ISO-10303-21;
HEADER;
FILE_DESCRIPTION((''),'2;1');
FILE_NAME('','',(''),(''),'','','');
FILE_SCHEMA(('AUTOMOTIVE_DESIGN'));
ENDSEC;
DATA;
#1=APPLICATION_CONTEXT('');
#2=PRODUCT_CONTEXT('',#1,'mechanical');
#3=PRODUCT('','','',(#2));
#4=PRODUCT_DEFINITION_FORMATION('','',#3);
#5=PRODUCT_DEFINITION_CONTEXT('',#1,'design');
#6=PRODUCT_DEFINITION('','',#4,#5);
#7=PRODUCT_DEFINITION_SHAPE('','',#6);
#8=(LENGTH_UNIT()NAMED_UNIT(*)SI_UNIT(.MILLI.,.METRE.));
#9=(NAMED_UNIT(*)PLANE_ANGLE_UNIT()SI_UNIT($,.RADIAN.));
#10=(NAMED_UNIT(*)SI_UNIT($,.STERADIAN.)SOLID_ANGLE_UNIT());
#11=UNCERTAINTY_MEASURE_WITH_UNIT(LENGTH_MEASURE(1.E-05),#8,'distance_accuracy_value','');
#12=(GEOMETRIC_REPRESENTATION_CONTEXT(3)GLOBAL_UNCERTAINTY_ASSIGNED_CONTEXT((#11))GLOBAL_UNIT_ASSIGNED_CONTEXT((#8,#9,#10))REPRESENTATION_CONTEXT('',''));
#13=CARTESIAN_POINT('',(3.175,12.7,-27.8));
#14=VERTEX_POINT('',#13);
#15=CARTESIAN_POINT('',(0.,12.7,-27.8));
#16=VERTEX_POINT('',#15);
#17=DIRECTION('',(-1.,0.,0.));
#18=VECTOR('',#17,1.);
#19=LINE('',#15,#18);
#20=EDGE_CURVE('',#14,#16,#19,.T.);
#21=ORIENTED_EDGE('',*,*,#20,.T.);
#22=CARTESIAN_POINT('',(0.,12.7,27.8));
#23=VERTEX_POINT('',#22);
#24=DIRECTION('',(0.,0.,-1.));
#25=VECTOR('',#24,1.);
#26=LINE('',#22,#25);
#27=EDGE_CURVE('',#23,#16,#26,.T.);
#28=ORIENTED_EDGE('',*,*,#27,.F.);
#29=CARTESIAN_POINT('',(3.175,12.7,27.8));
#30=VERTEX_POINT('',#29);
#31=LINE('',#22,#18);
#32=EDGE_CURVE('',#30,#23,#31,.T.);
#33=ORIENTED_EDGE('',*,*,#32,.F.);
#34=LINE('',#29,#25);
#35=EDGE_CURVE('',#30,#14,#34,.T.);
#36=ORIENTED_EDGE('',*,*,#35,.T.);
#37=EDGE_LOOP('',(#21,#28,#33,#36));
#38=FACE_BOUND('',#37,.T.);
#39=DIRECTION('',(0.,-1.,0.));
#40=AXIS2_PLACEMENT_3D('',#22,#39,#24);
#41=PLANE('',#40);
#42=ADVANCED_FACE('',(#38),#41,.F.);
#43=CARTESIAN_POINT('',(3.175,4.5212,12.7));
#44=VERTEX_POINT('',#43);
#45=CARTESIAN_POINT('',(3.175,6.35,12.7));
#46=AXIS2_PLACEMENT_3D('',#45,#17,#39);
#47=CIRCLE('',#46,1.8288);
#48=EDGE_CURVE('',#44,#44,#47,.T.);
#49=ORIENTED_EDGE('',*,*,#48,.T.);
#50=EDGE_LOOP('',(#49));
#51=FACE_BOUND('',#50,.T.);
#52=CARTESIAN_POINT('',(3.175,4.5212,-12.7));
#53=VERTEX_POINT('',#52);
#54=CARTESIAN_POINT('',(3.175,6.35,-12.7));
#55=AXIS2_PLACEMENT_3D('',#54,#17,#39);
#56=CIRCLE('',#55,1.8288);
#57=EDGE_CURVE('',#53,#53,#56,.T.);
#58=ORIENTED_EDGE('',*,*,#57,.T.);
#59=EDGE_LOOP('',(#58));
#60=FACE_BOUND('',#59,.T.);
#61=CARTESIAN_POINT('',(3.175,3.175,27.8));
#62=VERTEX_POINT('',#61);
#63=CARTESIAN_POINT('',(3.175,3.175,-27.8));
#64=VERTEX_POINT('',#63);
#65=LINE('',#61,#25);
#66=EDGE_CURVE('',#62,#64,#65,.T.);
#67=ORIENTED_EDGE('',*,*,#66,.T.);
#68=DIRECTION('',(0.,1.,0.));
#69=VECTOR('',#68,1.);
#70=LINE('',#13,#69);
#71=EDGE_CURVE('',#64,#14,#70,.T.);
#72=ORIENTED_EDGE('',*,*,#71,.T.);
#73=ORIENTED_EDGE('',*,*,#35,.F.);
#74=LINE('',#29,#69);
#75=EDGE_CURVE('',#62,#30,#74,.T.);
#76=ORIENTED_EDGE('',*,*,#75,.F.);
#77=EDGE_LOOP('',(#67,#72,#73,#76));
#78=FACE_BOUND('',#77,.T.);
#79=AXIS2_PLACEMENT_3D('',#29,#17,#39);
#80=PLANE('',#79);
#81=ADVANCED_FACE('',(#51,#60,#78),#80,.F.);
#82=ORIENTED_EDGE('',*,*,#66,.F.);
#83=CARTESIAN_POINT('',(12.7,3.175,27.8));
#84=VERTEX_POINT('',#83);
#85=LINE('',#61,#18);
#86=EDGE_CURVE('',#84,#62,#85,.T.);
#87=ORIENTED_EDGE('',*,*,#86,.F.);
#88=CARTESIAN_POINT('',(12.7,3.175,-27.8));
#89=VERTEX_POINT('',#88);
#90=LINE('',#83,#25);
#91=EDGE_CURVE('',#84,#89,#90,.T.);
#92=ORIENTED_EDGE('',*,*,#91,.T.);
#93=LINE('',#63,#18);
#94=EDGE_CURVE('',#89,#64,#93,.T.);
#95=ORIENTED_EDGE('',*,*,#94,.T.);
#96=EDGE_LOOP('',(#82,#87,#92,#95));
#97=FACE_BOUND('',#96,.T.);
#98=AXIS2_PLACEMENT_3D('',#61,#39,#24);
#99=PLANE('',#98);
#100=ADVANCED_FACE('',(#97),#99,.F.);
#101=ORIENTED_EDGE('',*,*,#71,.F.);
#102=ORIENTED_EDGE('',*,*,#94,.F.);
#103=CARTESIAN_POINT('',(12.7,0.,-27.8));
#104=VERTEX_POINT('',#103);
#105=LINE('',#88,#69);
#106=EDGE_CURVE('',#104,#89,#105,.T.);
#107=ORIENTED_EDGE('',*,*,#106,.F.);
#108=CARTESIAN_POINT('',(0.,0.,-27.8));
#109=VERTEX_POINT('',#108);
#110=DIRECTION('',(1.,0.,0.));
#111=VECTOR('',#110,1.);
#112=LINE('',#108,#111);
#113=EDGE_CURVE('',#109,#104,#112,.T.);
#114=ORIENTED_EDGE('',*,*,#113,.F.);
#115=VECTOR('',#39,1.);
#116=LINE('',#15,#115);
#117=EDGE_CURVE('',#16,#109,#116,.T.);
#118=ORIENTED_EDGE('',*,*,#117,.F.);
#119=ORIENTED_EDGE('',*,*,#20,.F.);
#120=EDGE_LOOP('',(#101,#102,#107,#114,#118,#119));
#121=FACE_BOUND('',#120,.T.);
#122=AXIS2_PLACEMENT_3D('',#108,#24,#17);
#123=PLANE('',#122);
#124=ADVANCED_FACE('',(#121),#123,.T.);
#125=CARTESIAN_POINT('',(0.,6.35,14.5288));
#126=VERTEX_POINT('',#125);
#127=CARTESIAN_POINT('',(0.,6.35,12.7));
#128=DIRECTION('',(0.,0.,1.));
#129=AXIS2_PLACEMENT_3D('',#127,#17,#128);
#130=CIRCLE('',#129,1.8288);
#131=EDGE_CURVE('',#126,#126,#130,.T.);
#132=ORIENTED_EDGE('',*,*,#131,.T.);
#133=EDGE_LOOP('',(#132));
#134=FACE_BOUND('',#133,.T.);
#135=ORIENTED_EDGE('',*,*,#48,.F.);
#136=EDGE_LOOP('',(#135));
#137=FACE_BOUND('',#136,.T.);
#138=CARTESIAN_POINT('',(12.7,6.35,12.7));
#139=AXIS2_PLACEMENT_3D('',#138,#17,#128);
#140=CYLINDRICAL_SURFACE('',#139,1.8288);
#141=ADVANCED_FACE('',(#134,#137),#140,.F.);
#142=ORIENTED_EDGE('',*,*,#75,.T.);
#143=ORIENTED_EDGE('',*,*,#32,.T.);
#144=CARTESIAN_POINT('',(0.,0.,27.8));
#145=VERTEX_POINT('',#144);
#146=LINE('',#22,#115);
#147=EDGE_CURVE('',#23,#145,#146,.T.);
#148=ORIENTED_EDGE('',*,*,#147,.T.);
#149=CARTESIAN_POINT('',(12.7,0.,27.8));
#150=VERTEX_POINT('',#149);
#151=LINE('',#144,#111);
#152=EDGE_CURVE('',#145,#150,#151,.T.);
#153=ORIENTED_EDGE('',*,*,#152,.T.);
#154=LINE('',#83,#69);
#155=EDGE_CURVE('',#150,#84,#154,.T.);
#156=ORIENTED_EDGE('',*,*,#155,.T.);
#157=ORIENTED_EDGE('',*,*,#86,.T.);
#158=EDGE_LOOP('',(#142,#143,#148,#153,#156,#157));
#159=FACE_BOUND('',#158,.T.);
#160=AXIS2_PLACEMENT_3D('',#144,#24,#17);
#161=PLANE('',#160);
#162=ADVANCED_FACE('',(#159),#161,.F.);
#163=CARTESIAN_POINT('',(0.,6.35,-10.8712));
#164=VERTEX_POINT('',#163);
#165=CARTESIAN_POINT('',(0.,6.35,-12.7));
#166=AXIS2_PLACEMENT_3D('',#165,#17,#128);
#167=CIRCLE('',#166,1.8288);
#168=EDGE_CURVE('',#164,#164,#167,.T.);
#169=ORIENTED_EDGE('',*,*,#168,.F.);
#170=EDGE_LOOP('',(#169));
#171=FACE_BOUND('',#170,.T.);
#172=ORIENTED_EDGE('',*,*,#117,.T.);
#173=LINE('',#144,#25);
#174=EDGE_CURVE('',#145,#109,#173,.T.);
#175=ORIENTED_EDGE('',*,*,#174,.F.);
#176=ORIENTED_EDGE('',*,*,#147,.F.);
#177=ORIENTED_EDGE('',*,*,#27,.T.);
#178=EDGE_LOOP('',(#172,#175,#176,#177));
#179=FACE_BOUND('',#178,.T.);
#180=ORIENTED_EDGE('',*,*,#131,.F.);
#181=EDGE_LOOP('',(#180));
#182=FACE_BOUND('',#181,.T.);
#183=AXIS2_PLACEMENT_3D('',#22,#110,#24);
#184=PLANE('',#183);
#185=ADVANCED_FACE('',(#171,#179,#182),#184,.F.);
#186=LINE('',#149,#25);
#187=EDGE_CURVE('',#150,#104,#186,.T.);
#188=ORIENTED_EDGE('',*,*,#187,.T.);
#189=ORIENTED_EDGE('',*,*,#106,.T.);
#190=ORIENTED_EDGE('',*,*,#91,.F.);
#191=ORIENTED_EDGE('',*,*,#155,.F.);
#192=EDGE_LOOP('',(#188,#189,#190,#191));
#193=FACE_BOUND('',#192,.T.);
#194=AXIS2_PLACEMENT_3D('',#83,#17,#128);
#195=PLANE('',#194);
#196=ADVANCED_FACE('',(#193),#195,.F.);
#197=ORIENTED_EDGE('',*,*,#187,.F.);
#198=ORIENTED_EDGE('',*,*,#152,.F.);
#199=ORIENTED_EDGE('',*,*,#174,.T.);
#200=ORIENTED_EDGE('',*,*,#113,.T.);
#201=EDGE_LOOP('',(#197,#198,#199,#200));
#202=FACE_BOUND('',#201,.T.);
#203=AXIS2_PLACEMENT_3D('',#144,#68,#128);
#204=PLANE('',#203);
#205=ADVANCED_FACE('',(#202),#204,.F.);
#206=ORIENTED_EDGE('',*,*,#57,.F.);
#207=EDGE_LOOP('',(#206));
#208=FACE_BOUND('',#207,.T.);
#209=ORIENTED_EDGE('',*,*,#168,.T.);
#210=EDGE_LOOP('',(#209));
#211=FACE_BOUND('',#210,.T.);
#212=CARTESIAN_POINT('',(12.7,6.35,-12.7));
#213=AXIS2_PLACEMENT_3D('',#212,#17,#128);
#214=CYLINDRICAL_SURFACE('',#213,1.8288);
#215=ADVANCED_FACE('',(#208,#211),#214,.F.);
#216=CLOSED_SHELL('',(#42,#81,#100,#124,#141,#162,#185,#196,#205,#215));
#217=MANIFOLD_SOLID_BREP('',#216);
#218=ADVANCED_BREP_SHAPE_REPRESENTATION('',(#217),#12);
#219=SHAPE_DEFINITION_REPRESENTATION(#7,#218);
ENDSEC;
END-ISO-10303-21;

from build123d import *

# Parameters (mm, degrees)
BOSS_EXTRUDE1_DEPTH = 27.800000026
SKETCH2_R           = 1.8288
CUT_EXTRUDE1_DEPTH  = 34.097129807


with BuildPart() as part:
    # Sketch1 → Boss-Extrude1 (new, symmetric)
    with BuildSketch(Plane.XY):
        Polygon((0, 12.7), (0, 0), (12.7, 0), (12.7, 3.175), (3.175, 3.175), (3.175, 12.7), align=None)
    extrude(amount=BOSS_EXTRUDE1_DEPTH, both=True)

    # Sketch2 → Cut-Extrude1 (cut, through all)
    with BuildSketch(Plane.ZY):
        with Locations((12.7, 6.35)):
            Circle(SKETCH2_R)
        with Locations((-12.7, 6.35)):
            Circle(SKETCH2_R)
    extrude(amount=-CUT_EXTRUDE1_DEPTH, mode=Mode.SUBTRACT)


solid = part.part
